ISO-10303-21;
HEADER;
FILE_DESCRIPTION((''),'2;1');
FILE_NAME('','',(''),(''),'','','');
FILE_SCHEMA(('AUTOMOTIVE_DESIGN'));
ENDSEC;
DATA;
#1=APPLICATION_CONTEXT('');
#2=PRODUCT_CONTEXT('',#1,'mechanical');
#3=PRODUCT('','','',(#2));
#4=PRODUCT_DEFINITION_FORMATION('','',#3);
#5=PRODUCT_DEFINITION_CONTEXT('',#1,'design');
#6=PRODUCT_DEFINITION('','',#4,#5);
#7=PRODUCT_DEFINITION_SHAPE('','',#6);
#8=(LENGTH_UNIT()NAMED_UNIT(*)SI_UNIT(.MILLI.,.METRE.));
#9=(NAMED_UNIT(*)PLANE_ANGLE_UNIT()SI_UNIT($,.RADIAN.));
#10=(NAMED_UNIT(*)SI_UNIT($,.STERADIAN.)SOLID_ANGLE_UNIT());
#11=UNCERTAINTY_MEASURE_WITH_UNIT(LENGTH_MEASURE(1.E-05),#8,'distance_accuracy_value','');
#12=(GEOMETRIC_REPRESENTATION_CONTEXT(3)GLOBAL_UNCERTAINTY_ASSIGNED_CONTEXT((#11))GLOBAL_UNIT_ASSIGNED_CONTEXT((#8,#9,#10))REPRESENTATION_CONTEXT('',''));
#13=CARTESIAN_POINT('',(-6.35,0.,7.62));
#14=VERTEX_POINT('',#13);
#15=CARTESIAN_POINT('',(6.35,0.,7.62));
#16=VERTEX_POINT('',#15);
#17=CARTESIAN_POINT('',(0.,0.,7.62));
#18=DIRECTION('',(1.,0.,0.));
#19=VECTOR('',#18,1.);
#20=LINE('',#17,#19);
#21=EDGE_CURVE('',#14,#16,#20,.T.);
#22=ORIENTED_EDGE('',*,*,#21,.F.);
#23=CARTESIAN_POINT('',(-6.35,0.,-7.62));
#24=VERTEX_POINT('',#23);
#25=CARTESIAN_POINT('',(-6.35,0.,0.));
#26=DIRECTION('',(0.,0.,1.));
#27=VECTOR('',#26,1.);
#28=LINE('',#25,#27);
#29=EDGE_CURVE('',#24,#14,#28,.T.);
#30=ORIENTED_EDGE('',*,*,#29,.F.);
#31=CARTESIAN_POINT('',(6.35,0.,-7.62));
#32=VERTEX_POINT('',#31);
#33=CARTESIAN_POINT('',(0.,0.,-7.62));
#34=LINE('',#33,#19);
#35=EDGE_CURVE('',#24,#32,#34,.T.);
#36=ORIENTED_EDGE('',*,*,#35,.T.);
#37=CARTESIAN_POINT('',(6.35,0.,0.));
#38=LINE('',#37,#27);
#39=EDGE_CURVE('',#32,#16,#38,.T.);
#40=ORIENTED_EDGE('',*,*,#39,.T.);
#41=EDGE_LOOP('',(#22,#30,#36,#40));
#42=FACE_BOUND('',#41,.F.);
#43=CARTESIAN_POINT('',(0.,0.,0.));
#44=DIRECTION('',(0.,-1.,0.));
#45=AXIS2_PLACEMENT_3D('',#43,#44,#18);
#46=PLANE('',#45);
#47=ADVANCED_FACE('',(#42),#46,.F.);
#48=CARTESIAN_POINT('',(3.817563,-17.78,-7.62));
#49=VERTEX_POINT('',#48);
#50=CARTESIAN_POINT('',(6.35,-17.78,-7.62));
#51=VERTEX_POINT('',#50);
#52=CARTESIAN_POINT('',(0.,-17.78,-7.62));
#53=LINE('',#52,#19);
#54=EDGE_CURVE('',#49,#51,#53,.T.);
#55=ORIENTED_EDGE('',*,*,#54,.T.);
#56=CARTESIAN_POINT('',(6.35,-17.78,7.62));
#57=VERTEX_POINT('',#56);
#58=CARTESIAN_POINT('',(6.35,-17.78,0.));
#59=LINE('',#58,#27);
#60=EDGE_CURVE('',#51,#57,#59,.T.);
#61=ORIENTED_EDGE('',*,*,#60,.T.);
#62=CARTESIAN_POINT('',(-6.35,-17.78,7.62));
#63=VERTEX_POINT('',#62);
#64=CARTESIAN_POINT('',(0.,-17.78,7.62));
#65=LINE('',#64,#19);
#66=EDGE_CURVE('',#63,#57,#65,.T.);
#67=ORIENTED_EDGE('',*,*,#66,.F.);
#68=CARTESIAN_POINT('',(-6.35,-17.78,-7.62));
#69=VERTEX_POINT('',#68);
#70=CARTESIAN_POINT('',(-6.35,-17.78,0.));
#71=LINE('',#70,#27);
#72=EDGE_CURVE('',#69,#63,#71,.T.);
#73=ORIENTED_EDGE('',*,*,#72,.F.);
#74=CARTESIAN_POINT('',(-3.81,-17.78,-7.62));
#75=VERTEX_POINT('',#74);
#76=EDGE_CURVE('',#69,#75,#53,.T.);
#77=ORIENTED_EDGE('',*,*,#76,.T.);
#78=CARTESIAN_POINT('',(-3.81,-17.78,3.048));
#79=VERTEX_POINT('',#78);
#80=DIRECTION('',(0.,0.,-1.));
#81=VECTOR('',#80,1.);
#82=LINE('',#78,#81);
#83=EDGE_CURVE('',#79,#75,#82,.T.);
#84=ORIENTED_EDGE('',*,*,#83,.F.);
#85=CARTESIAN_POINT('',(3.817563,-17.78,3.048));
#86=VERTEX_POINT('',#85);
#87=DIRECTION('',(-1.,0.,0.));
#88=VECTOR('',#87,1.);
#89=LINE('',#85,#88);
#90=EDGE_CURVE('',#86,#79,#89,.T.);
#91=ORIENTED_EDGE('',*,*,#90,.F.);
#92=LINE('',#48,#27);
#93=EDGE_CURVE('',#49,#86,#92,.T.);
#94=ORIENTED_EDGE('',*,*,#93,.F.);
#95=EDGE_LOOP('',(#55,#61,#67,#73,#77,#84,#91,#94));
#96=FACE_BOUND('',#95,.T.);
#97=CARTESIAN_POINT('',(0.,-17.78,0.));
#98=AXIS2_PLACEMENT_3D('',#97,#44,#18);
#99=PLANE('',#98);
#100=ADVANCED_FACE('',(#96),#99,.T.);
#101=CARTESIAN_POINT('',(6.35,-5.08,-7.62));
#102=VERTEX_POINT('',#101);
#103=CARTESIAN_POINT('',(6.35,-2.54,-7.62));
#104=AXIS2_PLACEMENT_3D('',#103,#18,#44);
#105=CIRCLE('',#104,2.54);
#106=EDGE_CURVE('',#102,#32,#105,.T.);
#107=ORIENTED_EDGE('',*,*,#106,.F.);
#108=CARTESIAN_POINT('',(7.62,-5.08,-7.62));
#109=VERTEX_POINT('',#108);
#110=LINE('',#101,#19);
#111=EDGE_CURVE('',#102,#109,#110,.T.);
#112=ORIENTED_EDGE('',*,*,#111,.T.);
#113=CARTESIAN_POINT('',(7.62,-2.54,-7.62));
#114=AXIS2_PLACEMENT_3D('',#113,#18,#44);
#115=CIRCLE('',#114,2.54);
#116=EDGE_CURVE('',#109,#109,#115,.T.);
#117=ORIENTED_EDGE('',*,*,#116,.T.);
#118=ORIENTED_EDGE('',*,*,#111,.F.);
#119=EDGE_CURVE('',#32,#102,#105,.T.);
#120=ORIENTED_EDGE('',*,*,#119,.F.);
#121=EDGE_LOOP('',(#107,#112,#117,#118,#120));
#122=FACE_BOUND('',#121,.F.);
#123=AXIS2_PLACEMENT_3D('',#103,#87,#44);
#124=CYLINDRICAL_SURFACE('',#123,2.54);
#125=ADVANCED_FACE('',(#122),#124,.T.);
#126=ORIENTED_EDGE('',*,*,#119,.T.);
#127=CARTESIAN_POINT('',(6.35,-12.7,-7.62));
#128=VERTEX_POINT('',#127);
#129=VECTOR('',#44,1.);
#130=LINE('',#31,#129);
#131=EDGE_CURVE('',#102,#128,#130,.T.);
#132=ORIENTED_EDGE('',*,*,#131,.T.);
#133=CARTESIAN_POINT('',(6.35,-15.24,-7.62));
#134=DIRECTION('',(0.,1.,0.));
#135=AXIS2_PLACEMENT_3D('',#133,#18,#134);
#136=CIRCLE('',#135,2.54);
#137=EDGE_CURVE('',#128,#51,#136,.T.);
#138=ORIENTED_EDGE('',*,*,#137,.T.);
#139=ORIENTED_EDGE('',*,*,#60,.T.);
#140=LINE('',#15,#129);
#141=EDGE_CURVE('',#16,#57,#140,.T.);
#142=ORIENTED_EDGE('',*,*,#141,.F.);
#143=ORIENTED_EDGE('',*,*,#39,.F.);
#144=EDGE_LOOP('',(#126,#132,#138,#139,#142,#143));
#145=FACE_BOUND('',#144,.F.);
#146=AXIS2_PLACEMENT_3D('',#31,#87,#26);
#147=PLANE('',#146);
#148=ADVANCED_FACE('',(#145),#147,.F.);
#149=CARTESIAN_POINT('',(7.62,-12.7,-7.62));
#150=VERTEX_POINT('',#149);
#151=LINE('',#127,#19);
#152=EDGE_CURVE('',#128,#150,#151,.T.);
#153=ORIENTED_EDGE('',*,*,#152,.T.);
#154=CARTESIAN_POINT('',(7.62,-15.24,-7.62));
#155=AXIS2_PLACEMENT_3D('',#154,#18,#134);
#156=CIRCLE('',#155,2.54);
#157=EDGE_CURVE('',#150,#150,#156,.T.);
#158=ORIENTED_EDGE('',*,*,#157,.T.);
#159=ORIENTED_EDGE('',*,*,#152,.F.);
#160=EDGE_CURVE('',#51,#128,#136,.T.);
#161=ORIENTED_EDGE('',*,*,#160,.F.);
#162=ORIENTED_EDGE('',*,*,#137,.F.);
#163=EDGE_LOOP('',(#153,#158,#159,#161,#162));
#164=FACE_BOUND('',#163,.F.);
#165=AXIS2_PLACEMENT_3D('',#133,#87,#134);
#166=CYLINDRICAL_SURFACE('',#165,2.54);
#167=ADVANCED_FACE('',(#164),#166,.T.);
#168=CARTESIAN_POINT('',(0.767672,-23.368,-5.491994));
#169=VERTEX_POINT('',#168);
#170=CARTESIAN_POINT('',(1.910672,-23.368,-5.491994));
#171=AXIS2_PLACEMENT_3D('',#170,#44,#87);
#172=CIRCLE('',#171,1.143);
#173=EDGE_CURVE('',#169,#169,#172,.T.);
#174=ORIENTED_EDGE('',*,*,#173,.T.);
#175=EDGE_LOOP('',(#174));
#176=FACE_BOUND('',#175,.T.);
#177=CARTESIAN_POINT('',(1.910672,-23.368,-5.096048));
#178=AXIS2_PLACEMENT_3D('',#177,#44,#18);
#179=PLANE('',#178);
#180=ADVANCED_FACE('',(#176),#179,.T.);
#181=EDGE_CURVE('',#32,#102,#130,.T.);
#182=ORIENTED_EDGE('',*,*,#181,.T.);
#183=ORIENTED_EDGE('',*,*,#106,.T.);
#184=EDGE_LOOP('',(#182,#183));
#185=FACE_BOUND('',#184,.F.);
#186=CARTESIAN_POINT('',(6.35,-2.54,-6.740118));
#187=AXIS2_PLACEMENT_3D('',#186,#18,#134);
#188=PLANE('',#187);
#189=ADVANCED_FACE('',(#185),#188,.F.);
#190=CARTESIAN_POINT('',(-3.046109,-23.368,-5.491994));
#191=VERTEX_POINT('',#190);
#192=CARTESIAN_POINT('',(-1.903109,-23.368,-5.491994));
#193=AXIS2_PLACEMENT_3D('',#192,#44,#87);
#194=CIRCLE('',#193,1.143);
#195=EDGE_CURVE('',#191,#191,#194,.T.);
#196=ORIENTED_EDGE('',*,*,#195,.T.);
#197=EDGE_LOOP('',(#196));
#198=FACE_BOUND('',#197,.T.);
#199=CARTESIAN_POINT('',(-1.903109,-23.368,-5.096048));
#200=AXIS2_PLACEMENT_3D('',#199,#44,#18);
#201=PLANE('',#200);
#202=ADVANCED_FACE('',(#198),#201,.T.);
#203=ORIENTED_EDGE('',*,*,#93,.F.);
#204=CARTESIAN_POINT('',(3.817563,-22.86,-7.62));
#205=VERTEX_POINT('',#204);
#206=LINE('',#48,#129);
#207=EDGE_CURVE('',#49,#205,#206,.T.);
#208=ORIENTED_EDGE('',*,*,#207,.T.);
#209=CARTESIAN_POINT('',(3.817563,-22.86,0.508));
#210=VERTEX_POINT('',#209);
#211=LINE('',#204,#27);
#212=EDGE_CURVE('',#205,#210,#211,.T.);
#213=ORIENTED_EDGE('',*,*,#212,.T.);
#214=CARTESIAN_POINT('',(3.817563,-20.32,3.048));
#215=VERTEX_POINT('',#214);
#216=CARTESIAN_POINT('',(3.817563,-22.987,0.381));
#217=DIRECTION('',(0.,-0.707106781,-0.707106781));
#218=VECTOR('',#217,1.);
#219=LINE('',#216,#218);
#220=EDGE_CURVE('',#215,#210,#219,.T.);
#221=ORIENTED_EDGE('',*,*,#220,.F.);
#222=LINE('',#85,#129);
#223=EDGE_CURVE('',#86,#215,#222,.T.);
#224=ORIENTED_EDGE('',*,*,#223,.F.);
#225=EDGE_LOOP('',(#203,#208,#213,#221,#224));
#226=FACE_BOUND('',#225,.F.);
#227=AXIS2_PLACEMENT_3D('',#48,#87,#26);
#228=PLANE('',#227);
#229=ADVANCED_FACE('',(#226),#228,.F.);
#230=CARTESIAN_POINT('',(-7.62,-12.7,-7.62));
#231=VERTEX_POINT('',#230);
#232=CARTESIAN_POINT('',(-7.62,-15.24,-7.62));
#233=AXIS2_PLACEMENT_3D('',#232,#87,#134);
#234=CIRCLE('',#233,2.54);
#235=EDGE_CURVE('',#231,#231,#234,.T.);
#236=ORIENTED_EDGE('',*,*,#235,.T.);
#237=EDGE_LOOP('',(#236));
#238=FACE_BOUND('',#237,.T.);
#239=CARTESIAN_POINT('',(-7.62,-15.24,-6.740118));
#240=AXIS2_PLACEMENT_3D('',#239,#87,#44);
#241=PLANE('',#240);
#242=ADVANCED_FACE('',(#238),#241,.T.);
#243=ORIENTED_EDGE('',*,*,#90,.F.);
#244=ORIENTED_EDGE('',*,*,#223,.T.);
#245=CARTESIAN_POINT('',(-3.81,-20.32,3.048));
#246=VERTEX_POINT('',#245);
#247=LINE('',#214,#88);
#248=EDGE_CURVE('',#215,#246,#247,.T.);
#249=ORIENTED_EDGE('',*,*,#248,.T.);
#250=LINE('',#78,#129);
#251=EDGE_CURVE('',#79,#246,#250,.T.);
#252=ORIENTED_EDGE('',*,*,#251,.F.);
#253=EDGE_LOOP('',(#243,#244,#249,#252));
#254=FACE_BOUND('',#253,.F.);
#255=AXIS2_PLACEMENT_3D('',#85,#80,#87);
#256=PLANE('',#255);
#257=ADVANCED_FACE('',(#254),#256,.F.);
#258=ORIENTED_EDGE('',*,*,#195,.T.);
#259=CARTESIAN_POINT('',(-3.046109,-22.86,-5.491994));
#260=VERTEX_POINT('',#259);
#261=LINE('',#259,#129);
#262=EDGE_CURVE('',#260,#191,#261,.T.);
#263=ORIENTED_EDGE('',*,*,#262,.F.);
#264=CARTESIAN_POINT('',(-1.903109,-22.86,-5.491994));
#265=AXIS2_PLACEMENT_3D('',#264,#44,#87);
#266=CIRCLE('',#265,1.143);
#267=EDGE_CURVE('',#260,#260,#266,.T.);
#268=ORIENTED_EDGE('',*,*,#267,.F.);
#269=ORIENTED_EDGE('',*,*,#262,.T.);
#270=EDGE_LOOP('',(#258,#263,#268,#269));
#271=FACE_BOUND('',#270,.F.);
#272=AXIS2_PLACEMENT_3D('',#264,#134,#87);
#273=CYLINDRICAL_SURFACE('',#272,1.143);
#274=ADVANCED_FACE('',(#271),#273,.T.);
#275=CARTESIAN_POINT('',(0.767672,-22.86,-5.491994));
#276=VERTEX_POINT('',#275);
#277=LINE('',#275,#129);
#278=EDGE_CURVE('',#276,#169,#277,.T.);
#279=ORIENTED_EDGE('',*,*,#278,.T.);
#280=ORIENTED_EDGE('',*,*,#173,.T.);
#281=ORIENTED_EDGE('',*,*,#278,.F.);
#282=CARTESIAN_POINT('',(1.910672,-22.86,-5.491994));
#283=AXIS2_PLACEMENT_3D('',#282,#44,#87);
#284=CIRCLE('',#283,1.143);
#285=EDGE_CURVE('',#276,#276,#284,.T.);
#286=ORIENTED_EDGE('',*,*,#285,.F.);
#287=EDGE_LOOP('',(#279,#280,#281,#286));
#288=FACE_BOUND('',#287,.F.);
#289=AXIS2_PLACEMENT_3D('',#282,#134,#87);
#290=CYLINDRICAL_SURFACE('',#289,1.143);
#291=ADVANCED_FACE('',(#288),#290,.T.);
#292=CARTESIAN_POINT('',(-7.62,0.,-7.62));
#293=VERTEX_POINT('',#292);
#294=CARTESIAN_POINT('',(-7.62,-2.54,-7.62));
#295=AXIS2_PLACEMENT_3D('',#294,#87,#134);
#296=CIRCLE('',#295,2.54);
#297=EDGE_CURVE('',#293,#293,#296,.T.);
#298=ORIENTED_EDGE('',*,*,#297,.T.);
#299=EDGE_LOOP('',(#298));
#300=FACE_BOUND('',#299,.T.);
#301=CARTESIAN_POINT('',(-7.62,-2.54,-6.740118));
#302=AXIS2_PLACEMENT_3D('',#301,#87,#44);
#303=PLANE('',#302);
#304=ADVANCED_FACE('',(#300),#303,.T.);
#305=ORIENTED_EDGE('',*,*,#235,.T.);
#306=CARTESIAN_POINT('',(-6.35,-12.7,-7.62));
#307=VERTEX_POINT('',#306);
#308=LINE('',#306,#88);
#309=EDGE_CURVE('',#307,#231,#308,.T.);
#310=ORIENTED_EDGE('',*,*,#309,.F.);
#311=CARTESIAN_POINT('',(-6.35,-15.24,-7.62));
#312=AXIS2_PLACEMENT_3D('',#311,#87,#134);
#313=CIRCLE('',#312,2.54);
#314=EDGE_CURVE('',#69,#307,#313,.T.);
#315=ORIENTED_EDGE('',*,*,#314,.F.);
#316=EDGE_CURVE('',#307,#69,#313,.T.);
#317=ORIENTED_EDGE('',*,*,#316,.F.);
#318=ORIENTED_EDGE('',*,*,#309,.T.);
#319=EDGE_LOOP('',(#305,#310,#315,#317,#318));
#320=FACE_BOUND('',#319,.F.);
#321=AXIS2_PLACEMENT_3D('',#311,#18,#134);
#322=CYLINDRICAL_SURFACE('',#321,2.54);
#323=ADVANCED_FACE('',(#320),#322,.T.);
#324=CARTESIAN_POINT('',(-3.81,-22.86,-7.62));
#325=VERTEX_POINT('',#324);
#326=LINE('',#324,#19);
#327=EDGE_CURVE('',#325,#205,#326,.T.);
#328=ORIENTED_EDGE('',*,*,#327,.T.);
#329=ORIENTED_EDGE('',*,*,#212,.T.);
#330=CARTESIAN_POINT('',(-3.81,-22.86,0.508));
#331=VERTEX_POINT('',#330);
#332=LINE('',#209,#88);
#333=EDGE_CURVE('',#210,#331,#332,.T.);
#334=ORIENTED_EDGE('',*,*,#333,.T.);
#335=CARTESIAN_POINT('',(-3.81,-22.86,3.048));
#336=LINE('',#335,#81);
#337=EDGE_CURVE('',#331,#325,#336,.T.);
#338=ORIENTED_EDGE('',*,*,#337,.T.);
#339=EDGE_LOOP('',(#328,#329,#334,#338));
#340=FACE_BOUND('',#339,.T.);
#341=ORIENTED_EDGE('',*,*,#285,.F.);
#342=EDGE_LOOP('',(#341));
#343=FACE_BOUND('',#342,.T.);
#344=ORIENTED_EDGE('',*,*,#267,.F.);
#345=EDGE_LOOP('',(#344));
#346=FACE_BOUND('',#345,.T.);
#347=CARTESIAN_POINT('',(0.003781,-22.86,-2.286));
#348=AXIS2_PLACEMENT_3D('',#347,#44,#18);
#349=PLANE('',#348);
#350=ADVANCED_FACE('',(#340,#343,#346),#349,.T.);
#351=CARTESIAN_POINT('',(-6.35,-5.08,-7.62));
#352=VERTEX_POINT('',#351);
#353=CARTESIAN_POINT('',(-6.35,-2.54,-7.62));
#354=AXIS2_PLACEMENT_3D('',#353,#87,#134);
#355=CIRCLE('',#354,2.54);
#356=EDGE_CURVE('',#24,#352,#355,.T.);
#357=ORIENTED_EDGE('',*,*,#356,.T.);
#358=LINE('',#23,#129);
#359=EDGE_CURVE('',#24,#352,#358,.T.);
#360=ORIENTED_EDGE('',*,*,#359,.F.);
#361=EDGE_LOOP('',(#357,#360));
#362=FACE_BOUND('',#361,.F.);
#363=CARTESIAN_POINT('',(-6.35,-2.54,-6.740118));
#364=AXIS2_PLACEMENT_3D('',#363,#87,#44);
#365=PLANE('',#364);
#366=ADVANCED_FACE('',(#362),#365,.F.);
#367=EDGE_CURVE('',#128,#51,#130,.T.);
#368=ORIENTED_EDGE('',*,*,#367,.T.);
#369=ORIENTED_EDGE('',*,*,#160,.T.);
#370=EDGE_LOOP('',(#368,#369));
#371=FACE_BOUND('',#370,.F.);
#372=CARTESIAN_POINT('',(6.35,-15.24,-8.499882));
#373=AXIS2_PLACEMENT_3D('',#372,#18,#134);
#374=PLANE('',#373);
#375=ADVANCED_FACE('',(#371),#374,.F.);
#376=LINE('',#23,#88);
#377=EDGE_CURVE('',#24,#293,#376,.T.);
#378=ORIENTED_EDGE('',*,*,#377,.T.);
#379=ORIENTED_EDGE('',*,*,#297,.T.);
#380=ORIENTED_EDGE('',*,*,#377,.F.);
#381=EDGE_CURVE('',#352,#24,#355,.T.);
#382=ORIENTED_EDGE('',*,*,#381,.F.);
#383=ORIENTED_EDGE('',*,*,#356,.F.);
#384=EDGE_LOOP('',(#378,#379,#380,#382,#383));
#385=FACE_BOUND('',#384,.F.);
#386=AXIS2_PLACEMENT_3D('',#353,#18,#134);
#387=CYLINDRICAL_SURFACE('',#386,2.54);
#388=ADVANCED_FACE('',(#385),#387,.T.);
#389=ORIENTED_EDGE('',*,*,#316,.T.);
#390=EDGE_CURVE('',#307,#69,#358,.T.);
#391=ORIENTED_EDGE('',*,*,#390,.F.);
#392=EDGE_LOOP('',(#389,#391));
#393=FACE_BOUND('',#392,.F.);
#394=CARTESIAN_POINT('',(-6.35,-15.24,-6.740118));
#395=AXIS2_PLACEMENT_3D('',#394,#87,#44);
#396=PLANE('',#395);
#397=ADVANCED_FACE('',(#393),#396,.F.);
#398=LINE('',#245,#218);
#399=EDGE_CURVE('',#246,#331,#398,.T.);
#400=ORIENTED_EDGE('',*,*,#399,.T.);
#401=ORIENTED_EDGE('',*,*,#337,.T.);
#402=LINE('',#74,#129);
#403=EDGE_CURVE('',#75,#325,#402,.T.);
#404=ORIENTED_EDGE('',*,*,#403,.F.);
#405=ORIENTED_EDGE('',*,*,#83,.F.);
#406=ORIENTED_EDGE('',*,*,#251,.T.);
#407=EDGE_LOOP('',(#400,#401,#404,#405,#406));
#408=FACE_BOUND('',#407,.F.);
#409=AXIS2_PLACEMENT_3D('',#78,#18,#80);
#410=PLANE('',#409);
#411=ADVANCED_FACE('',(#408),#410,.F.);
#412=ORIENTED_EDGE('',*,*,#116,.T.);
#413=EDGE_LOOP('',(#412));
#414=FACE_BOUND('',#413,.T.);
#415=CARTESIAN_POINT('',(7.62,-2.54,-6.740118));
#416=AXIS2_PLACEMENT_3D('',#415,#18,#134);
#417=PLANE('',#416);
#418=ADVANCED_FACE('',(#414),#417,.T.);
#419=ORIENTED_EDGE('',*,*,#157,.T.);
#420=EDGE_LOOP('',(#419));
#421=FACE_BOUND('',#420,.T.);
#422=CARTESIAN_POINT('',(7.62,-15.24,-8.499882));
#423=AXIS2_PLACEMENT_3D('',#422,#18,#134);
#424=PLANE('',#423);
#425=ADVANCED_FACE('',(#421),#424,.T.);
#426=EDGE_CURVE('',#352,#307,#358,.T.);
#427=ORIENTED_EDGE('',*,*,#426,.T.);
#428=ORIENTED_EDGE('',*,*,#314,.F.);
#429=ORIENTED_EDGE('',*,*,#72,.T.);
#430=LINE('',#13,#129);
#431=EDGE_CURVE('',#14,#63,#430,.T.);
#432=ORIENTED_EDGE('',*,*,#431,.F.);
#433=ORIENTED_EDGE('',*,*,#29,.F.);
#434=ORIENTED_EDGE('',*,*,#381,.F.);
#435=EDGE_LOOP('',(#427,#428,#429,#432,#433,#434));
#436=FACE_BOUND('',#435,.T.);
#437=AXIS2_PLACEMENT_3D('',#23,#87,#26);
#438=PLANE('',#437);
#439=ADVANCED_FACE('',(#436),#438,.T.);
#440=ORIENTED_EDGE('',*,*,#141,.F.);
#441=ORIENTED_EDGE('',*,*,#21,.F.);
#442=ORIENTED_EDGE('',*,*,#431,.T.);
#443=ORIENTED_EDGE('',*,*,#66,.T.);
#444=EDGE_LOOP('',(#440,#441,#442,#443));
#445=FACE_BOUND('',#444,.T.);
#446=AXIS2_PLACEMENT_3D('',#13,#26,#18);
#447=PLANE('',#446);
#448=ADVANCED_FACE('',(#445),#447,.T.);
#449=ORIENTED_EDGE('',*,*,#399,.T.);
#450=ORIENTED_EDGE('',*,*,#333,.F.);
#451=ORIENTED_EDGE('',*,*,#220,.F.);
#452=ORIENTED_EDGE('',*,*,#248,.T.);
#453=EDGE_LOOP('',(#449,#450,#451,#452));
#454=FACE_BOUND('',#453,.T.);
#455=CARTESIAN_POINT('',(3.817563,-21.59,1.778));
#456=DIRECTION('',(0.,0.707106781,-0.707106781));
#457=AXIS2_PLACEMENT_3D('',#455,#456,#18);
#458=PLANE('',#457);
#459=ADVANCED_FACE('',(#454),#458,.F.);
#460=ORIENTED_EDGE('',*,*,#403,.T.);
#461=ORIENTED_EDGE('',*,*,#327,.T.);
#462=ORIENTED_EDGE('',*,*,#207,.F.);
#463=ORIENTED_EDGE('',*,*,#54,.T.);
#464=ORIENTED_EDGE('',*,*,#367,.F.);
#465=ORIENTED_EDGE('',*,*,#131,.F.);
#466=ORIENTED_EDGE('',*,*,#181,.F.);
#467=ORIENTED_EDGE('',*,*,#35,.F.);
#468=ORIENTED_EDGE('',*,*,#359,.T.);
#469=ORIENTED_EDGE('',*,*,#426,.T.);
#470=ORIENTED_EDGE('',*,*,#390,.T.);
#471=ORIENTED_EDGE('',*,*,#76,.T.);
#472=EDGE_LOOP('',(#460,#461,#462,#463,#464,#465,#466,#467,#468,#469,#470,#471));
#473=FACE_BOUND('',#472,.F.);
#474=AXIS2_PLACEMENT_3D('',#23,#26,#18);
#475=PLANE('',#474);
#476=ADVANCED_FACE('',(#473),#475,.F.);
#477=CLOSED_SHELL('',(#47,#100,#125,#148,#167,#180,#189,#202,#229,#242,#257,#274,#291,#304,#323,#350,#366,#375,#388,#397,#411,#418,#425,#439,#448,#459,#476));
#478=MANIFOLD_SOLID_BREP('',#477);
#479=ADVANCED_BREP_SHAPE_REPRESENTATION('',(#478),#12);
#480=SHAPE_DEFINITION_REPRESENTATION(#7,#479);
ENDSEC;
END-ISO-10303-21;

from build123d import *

# Parameters (mm, degrees)
F0_W     = 12.7
F0_H     = 15.24
F1_DEPTH = 17.78
F3_DEPTH = 5.08
F5_DEPTH = 1.27
F7_DEPTH = 0.508
F9_DEPTH = 1.27
F10_SIZE = 2.54


with BuildPart() as f1:
    # F0 (on Front) → F1 (new body)
    with BuildSketch(Plane.XZ):
        Rectangle(F0_W, F0_H)
    extrude(amount=F1_DEPTH)

    # F2 (on face) → F3 (join)
    with BuildSketch(Plane.XZ.offset(17.78)):
        Polygon((3.81, 3.048), (-3.81, 3.048), (-3.81, -7.62), (3.8175627124, -7.62), (3.8175627124, 3.048), align=None)
    extrude(amount=F3_DEPTH)

    # F4 (on face) → F5 (join)
    with BuildSketch(Plane(origin=(-6.35, 0, 0), x_dir=(0, -1, 0), z_dir=(-1, 0, 0))):
        with BuildLine():
            Line((0, -7.62), (5.08, -7.62))
            ThreePointArc((5.08, -7.62), (2.54, -5.08), (0, -7.62))
        make_face()
        with BuildLine():
            ThreePointArc((0, -7.62), (2.54, -10.16), (5.08, -7.62))
            Line((5.08, -7.62), (0, -7.62))
        make_face()
        with BuildLine():
            Line((12.7, -7.62), (17.78, -7.62))
            ThreePointArc((17.78, -7.62), (15.24, -5.08), (12.7, -7.62))
        make_face()
        with BuildLine():
            ThreePointArc((12.7, -7.62), (15.24, -10.16), (17.78, -7.62))
            Line((17.78, -7.62), (12.7, -7.62))
        make_face()
    extrude(amount=F5_DEPTH)

    # F6 (on face) → F7 (join)
    with BuildSketch(Plane.XZ.offset(22.86)):
        with BuildLine():
            Line((-3.0461093219, -5.4919943213), (-0.7601093219, -5.4919943213))
            ThreePointArc((-0.7601093219, -5.4919943213), (-1.9031093219, -4.3489943213), (-3.0461093219, -5.4919943213))
        make_face()
        with BuildLine():
            ThreePointArc((-3.0461093219, -5.4919943213), (-1.9031093219, -6.6349943213), (-0.7601093219, -5.4919943213))
            Line((-0.7601093219, -5.4919943213), (-3.0461093219, -5.4919943213))
        make_face()
        with BuildLine():
            ThreePointArc((3.0536720343, -5.4919943213), (1.9106720343, -4.3489943213), (0.7676720343, -5.4919943213))
            Line((0.7676720343, -5.4919943213), (3.0536720343, -5.4919943213))
        make_face()
        with BuildLine():
            Line((3.0536720343, -5.4919943213), (0.7676720343, -5.4919943213))
            ThreePointArc((0.7676720343, -5.4919943213), (1.9106720343, -6.6349943213), (3.0536720343, -5.4919943213))
        make_face()
    extrude(amount=F7_DEPTH)

    # F8 (on face) → F9 (join)
    with BuildSketch(Plane.YZ.offset(6.35)):
        with BuildLine():
            ThreePointArc((-17.78, -7.62), (-15.24, -10.16), (-12.7, -7.62))
            Line((-12.7, -7.62), (-17.78, -7.62))
        make_face()
        with BuildLine():
            Line((-17.78, -7.62), (-12.7, -7.62))
            ThreePointArc((-12.7, -7.62), (-15.24, -5.08), (-17.78, -7.62))
        make_face()
        with BuildLine():
            ThreePointArc((0, -7.62), (-2.54, -5.08), (-5.08, -7.62))
            Line((-5.08, -7.62), (0, -7.62))
        make_face()
        with BuildLine():
            Line((0, -7.62), (-5.08, -7.62))
            ThreePointArc((-5.08, -7.62), (-2.54, -10.16), (0, -7.62))
        make_face()
    extrude(amount=F9_DEPTH)

    # F10
    f10_edges = [f1.edges().sort_by_distance(p)[0] for p in [
        (0.003781, -22.86, 3.048),
    ]]
    chamfer(f10_edges, length=F10_SIZE)


solid = f1.part
